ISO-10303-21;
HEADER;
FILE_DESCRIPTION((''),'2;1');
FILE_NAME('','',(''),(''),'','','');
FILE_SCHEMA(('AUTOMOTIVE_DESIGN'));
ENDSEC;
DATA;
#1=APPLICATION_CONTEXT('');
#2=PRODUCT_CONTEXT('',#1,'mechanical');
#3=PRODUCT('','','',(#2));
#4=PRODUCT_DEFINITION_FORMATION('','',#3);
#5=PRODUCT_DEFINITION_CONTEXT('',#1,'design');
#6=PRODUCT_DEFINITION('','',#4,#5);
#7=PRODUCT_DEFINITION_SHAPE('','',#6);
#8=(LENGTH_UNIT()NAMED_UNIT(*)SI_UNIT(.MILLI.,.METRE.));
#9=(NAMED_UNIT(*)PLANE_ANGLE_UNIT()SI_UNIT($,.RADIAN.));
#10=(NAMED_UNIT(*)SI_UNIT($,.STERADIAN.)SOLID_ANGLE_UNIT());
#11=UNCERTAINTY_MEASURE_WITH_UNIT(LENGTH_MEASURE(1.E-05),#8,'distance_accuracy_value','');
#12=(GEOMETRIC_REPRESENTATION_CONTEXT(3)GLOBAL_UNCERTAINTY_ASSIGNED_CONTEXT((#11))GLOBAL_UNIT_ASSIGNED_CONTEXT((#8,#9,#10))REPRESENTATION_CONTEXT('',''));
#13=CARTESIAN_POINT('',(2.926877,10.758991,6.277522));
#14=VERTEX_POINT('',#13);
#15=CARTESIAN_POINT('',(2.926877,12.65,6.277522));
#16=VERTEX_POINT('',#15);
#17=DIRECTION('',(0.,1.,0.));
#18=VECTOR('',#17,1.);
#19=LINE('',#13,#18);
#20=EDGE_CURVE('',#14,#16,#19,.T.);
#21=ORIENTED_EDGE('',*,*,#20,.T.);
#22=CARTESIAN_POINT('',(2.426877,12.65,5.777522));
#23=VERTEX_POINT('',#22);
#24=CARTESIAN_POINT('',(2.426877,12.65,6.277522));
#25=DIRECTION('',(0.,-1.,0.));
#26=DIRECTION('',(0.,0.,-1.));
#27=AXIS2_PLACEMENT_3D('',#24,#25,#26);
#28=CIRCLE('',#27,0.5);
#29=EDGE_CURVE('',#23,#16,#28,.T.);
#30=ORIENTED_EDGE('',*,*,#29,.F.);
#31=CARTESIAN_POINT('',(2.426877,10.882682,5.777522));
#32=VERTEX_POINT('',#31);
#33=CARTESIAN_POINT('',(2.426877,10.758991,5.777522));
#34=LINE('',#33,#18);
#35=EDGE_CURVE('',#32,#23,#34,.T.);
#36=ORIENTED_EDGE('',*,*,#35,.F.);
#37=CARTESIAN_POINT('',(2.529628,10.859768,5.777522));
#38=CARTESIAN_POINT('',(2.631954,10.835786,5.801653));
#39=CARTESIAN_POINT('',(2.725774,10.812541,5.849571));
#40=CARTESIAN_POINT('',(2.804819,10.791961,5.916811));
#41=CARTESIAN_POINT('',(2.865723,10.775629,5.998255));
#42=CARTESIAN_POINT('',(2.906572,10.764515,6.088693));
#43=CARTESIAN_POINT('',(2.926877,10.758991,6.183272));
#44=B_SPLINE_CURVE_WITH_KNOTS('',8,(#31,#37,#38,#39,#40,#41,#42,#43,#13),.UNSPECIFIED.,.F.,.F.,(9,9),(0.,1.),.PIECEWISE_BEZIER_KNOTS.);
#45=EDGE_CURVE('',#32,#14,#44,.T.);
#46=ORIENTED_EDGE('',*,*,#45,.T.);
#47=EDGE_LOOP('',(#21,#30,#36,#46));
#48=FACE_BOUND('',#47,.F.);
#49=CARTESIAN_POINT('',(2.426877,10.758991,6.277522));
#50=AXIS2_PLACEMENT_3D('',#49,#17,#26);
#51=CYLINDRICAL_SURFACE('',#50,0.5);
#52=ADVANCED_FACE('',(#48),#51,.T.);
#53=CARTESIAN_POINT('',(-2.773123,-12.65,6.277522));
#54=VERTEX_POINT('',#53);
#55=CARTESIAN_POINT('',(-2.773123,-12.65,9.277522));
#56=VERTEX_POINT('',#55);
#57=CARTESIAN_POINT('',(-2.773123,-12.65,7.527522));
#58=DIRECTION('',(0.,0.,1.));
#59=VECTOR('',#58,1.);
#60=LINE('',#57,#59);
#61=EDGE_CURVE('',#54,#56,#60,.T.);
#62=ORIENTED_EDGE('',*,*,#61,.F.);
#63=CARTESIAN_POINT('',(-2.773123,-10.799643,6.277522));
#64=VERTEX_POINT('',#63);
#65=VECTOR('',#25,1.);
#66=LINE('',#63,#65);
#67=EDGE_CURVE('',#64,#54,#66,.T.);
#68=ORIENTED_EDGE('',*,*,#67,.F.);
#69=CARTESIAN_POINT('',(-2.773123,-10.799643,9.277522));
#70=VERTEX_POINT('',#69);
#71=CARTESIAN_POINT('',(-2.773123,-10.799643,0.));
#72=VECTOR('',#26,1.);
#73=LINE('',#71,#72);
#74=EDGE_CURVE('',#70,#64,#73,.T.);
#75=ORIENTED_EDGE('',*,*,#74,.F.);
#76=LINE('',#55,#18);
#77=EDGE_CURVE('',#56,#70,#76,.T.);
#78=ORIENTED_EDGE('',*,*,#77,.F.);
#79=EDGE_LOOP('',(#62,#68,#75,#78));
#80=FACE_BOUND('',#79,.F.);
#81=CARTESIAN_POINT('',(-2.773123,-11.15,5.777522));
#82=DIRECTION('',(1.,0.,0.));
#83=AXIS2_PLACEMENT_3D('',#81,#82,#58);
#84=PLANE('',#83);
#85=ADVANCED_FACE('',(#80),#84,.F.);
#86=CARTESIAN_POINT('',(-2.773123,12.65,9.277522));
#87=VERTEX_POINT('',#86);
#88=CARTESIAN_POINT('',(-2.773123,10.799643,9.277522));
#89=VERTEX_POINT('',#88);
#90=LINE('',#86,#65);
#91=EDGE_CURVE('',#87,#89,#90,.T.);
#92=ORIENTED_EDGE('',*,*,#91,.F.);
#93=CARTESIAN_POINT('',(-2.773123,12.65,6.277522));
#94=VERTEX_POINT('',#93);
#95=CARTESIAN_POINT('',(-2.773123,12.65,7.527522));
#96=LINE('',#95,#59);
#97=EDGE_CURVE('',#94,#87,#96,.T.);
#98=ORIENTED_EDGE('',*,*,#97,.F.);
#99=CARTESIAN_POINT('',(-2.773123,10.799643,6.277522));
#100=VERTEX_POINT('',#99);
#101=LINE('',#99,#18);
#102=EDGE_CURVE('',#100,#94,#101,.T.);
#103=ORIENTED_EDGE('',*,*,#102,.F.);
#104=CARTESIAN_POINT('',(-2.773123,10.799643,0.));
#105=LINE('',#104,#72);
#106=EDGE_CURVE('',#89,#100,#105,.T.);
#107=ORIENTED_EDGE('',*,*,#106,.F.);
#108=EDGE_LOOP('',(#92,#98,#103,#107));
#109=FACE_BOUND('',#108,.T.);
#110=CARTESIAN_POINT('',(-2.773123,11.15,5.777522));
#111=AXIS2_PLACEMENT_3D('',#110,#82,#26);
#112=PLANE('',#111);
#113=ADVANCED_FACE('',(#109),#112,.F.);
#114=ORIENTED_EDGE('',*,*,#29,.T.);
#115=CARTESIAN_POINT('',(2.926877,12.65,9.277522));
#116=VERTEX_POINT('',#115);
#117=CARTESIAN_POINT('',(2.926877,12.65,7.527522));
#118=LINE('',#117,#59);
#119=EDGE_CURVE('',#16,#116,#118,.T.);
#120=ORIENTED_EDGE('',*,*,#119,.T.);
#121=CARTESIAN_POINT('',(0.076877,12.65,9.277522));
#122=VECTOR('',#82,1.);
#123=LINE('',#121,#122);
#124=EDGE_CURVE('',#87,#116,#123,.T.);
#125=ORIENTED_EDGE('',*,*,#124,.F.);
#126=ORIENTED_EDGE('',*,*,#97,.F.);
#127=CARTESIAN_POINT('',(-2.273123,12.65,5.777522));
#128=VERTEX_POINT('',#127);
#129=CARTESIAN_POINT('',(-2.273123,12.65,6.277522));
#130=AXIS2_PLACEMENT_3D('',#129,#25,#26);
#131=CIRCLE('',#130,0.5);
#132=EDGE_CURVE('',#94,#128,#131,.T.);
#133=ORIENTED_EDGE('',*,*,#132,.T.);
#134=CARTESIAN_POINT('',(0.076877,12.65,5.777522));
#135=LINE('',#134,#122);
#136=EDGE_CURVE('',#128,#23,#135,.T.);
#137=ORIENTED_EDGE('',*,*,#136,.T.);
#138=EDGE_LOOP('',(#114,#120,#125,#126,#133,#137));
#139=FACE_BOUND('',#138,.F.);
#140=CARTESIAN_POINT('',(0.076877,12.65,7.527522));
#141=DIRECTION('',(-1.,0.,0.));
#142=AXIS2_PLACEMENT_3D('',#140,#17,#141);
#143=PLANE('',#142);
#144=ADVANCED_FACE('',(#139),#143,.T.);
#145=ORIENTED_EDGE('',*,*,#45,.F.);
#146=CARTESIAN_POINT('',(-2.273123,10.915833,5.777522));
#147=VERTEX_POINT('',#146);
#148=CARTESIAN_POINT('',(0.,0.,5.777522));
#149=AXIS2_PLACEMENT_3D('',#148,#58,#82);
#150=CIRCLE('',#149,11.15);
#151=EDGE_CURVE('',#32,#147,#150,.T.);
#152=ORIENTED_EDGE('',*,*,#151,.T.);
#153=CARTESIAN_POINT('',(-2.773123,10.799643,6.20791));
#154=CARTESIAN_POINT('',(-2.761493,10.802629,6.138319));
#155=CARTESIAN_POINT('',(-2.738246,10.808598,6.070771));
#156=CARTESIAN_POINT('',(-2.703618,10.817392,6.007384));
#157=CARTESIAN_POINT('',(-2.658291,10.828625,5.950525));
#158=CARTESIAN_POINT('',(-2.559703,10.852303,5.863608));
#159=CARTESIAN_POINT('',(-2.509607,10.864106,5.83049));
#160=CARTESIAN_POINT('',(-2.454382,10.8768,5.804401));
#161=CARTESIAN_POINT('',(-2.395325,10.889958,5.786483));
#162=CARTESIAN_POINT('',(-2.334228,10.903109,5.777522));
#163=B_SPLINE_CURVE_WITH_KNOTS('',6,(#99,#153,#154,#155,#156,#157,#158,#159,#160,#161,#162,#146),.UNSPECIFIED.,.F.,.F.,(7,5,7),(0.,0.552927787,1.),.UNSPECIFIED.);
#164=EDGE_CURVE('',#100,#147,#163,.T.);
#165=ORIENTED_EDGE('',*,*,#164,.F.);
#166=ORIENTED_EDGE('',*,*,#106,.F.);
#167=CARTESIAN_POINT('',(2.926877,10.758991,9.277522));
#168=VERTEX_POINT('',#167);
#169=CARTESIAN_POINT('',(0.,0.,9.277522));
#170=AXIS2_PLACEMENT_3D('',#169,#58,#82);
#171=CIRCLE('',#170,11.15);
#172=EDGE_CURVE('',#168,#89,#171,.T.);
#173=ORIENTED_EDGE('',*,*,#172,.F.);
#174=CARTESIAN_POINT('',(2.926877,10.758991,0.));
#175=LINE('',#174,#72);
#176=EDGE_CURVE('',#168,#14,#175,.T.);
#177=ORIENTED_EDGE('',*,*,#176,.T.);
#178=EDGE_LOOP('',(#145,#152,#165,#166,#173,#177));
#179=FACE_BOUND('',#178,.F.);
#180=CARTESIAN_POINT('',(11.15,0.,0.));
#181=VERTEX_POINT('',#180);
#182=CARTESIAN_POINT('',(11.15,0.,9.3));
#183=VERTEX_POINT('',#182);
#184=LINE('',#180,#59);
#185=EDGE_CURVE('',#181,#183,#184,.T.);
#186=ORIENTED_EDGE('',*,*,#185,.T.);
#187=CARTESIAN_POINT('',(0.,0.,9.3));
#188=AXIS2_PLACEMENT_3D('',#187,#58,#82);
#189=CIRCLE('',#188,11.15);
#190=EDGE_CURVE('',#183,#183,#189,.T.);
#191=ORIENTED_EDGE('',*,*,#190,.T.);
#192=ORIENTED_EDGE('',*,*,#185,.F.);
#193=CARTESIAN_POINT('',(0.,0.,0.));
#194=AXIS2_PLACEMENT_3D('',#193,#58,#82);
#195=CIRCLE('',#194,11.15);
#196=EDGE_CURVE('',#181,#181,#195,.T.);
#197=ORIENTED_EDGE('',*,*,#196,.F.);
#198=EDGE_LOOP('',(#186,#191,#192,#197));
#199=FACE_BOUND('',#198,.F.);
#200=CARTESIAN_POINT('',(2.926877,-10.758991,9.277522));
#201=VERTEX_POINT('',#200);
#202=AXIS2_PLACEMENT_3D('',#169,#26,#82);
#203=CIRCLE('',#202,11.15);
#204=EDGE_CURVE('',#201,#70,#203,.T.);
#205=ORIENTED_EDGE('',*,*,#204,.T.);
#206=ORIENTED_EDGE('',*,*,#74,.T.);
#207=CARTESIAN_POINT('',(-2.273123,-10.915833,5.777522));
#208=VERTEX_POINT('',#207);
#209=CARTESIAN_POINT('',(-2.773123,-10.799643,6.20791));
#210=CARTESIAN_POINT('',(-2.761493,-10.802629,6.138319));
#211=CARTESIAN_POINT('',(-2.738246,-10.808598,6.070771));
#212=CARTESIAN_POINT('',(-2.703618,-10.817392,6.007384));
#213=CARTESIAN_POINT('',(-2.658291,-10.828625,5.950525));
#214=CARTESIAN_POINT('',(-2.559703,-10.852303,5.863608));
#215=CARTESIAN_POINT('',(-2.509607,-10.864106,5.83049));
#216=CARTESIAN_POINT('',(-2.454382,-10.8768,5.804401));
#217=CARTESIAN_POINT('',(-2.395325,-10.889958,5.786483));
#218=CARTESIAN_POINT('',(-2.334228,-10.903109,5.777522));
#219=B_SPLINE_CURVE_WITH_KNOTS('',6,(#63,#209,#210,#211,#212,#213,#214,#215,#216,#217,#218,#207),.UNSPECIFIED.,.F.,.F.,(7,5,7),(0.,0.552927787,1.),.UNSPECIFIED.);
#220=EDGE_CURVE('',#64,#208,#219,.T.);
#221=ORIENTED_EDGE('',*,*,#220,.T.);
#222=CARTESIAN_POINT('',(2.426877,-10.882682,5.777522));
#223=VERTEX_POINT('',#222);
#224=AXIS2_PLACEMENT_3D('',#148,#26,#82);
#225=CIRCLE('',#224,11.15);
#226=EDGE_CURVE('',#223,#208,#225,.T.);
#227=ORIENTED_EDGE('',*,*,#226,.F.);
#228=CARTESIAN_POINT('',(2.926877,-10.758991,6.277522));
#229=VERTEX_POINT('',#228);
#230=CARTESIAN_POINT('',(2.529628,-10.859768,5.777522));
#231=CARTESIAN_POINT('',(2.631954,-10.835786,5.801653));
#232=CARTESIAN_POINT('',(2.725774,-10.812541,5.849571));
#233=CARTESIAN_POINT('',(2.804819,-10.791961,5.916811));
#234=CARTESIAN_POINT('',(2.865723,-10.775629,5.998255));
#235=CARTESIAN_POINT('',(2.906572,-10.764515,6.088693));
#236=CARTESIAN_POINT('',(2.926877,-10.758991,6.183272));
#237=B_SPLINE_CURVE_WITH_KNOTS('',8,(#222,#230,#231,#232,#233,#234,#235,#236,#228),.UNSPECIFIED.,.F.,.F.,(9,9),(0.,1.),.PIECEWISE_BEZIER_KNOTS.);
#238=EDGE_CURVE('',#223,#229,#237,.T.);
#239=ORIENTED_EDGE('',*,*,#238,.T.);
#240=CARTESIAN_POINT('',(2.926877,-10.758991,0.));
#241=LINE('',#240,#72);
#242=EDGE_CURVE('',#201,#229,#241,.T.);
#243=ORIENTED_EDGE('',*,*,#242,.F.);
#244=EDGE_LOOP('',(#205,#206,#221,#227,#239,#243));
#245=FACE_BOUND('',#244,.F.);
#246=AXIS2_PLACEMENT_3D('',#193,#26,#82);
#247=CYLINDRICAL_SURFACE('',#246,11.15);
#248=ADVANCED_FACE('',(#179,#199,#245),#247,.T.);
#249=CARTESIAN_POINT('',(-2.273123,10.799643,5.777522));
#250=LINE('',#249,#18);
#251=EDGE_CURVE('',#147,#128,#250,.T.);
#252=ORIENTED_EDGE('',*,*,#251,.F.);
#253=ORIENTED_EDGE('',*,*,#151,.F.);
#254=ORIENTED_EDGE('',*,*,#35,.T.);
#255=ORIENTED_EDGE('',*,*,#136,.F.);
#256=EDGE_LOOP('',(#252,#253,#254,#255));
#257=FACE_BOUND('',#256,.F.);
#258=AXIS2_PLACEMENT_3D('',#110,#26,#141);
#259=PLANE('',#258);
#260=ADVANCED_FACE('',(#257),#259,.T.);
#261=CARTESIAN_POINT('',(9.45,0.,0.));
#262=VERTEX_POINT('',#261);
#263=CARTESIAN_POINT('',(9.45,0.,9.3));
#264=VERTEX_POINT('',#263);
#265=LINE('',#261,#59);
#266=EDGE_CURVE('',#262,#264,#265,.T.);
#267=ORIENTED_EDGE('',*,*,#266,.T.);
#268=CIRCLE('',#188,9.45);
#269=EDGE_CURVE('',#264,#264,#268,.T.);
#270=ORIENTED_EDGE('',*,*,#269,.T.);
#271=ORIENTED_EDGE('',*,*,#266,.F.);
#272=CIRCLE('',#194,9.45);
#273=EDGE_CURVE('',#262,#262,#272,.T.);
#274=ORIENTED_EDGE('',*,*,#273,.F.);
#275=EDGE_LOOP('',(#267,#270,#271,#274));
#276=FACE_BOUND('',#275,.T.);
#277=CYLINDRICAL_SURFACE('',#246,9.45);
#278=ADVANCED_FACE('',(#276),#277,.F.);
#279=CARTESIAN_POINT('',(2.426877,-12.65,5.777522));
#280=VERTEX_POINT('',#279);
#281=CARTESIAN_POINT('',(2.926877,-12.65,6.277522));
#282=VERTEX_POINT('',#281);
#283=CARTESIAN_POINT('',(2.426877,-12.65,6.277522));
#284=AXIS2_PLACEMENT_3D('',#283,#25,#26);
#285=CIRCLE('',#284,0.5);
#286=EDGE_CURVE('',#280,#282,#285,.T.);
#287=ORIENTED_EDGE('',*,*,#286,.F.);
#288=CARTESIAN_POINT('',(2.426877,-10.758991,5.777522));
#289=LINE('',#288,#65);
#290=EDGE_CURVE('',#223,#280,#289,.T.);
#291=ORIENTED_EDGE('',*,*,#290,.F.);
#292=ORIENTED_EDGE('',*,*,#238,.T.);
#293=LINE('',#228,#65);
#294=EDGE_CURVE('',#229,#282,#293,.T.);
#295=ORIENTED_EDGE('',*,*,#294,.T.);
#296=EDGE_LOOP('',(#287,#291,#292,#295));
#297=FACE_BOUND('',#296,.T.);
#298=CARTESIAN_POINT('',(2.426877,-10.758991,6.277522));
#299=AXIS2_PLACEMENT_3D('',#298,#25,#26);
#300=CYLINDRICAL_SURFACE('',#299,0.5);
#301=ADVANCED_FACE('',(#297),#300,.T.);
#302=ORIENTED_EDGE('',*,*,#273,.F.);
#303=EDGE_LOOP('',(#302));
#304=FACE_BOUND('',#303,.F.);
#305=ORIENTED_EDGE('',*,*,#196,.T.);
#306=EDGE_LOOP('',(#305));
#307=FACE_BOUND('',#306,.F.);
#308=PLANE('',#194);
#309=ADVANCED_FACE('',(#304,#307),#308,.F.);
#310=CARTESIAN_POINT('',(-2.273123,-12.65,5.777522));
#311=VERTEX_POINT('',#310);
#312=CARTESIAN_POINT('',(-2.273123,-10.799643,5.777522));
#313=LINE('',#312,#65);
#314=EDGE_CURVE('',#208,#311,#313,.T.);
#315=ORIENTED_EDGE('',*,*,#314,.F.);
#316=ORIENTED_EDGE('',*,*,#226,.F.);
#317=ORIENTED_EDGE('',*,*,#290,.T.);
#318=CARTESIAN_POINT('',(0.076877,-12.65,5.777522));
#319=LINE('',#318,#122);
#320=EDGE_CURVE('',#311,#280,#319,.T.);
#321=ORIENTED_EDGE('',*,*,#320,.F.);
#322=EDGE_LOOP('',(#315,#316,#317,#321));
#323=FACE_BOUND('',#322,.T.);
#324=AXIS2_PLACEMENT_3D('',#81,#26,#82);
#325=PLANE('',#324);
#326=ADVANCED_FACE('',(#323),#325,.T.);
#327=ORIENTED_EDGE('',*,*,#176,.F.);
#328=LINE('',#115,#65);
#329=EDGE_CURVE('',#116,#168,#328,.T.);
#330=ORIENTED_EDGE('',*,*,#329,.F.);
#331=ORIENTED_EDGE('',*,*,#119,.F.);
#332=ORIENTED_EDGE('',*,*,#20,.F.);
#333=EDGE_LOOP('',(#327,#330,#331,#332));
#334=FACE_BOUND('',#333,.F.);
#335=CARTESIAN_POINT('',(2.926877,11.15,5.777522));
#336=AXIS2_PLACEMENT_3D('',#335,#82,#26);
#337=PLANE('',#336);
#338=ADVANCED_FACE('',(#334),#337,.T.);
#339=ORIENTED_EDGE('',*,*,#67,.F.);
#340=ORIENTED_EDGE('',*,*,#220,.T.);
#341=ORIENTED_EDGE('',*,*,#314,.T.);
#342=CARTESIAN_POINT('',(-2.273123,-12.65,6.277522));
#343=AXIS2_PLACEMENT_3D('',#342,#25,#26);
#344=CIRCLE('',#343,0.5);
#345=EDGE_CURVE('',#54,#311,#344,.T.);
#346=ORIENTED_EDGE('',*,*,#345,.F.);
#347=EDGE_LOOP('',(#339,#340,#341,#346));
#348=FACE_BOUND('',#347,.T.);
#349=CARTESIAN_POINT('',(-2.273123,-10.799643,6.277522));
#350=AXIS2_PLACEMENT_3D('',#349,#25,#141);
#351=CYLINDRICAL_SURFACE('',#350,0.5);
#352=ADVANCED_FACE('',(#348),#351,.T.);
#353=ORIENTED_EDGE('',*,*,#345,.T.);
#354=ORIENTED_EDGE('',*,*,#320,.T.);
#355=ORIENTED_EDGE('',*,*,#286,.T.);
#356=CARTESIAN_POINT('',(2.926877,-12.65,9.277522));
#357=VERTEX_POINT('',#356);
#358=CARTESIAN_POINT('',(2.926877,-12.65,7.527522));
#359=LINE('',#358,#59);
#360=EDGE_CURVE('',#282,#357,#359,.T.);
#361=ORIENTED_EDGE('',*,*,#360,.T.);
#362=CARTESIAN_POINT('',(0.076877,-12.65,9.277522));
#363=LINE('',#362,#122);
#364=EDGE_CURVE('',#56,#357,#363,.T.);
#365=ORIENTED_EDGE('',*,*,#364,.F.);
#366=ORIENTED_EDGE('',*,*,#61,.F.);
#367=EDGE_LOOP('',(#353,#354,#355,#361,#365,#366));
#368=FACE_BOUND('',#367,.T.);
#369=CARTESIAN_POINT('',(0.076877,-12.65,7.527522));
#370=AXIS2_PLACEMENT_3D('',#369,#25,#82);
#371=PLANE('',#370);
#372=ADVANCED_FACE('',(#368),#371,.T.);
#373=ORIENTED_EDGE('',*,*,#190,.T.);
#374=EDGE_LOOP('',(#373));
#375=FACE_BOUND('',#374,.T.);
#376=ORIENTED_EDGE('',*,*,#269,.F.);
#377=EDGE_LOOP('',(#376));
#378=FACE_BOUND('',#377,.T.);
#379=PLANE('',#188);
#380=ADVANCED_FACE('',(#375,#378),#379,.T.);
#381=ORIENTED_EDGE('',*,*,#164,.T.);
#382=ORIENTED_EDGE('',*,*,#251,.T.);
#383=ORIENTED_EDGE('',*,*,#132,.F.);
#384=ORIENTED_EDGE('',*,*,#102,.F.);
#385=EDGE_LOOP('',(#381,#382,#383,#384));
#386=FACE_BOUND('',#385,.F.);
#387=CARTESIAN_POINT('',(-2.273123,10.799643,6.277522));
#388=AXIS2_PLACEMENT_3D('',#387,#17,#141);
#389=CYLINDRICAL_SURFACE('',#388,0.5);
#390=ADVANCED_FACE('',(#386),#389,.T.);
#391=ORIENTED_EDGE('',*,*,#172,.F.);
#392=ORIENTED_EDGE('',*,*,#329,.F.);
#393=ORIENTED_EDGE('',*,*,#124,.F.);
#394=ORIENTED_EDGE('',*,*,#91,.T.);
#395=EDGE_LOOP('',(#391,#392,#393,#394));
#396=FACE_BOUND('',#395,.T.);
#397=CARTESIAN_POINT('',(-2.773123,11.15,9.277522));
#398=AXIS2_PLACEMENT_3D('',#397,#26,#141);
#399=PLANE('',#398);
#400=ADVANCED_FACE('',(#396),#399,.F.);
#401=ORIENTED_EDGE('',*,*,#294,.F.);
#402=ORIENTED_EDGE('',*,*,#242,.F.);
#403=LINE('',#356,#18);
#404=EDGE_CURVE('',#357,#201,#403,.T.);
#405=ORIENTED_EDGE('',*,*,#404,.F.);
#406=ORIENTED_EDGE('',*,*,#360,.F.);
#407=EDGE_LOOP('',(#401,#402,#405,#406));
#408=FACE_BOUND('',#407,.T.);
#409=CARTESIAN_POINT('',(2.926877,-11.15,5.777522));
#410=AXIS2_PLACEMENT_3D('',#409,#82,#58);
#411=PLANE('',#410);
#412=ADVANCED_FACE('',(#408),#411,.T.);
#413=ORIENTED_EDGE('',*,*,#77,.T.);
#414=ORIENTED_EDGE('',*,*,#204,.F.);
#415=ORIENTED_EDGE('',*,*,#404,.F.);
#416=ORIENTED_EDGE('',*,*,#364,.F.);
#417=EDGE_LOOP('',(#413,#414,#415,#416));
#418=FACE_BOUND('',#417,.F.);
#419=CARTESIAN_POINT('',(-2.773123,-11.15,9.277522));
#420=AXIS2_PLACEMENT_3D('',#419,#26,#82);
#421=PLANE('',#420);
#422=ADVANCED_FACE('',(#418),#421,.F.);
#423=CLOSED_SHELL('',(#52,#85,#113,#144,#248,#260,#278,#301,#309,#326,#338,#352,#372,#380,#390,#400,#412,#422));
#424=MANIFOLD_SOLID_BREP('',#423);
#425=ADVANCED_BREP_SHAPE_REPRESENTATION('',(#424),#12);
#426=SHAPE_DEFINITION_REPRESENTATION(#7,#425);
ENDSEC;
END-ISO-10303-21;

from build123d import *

# Parameters (mm, degrees)
F0_R     = 11.15
F0_R_2   = 9.45
F1_DEPTH = 9.3
F3_W     = 5.7
F3_H     = 3.5
F4_DEPTH = 1.5
F5_R     = 0.5


with BuildPart() as f1:
    # F0 (on Top) → F1 (new body)
    with BuildSketch(Plane.XY):
        Circle(F0_R)
        Circle(F0_R_2, mode=Mode.SUBTRACT)
    extrude(amount=F1_DEPTH)

    # F3 (on offset) → F4 (join, symmetric)
    with BuildSketch(Plane.XZ.offset(11.15)):
        with Locations((0.0768768184, 7.5275215786)):
            Rectangle(F3_W, F3_H)
    extrude(amount=F4_DEPTH, both=True)

    # F5
    f5_edges = [f1.edges().sort_by_distance(p)[0] for p in [
        (-2.773123, -11.724821, 5.777522),
        (2.926877, -11.704496, 5.777522),
    ]]
    fillet(f5_edges, radius=F5_R)

    # F6: F1 across plane


with BuildPart() as f1_1:
    add(f1.part)
    add(f1.part.mirror(Plane.XZ))


solid = f1_1.part
